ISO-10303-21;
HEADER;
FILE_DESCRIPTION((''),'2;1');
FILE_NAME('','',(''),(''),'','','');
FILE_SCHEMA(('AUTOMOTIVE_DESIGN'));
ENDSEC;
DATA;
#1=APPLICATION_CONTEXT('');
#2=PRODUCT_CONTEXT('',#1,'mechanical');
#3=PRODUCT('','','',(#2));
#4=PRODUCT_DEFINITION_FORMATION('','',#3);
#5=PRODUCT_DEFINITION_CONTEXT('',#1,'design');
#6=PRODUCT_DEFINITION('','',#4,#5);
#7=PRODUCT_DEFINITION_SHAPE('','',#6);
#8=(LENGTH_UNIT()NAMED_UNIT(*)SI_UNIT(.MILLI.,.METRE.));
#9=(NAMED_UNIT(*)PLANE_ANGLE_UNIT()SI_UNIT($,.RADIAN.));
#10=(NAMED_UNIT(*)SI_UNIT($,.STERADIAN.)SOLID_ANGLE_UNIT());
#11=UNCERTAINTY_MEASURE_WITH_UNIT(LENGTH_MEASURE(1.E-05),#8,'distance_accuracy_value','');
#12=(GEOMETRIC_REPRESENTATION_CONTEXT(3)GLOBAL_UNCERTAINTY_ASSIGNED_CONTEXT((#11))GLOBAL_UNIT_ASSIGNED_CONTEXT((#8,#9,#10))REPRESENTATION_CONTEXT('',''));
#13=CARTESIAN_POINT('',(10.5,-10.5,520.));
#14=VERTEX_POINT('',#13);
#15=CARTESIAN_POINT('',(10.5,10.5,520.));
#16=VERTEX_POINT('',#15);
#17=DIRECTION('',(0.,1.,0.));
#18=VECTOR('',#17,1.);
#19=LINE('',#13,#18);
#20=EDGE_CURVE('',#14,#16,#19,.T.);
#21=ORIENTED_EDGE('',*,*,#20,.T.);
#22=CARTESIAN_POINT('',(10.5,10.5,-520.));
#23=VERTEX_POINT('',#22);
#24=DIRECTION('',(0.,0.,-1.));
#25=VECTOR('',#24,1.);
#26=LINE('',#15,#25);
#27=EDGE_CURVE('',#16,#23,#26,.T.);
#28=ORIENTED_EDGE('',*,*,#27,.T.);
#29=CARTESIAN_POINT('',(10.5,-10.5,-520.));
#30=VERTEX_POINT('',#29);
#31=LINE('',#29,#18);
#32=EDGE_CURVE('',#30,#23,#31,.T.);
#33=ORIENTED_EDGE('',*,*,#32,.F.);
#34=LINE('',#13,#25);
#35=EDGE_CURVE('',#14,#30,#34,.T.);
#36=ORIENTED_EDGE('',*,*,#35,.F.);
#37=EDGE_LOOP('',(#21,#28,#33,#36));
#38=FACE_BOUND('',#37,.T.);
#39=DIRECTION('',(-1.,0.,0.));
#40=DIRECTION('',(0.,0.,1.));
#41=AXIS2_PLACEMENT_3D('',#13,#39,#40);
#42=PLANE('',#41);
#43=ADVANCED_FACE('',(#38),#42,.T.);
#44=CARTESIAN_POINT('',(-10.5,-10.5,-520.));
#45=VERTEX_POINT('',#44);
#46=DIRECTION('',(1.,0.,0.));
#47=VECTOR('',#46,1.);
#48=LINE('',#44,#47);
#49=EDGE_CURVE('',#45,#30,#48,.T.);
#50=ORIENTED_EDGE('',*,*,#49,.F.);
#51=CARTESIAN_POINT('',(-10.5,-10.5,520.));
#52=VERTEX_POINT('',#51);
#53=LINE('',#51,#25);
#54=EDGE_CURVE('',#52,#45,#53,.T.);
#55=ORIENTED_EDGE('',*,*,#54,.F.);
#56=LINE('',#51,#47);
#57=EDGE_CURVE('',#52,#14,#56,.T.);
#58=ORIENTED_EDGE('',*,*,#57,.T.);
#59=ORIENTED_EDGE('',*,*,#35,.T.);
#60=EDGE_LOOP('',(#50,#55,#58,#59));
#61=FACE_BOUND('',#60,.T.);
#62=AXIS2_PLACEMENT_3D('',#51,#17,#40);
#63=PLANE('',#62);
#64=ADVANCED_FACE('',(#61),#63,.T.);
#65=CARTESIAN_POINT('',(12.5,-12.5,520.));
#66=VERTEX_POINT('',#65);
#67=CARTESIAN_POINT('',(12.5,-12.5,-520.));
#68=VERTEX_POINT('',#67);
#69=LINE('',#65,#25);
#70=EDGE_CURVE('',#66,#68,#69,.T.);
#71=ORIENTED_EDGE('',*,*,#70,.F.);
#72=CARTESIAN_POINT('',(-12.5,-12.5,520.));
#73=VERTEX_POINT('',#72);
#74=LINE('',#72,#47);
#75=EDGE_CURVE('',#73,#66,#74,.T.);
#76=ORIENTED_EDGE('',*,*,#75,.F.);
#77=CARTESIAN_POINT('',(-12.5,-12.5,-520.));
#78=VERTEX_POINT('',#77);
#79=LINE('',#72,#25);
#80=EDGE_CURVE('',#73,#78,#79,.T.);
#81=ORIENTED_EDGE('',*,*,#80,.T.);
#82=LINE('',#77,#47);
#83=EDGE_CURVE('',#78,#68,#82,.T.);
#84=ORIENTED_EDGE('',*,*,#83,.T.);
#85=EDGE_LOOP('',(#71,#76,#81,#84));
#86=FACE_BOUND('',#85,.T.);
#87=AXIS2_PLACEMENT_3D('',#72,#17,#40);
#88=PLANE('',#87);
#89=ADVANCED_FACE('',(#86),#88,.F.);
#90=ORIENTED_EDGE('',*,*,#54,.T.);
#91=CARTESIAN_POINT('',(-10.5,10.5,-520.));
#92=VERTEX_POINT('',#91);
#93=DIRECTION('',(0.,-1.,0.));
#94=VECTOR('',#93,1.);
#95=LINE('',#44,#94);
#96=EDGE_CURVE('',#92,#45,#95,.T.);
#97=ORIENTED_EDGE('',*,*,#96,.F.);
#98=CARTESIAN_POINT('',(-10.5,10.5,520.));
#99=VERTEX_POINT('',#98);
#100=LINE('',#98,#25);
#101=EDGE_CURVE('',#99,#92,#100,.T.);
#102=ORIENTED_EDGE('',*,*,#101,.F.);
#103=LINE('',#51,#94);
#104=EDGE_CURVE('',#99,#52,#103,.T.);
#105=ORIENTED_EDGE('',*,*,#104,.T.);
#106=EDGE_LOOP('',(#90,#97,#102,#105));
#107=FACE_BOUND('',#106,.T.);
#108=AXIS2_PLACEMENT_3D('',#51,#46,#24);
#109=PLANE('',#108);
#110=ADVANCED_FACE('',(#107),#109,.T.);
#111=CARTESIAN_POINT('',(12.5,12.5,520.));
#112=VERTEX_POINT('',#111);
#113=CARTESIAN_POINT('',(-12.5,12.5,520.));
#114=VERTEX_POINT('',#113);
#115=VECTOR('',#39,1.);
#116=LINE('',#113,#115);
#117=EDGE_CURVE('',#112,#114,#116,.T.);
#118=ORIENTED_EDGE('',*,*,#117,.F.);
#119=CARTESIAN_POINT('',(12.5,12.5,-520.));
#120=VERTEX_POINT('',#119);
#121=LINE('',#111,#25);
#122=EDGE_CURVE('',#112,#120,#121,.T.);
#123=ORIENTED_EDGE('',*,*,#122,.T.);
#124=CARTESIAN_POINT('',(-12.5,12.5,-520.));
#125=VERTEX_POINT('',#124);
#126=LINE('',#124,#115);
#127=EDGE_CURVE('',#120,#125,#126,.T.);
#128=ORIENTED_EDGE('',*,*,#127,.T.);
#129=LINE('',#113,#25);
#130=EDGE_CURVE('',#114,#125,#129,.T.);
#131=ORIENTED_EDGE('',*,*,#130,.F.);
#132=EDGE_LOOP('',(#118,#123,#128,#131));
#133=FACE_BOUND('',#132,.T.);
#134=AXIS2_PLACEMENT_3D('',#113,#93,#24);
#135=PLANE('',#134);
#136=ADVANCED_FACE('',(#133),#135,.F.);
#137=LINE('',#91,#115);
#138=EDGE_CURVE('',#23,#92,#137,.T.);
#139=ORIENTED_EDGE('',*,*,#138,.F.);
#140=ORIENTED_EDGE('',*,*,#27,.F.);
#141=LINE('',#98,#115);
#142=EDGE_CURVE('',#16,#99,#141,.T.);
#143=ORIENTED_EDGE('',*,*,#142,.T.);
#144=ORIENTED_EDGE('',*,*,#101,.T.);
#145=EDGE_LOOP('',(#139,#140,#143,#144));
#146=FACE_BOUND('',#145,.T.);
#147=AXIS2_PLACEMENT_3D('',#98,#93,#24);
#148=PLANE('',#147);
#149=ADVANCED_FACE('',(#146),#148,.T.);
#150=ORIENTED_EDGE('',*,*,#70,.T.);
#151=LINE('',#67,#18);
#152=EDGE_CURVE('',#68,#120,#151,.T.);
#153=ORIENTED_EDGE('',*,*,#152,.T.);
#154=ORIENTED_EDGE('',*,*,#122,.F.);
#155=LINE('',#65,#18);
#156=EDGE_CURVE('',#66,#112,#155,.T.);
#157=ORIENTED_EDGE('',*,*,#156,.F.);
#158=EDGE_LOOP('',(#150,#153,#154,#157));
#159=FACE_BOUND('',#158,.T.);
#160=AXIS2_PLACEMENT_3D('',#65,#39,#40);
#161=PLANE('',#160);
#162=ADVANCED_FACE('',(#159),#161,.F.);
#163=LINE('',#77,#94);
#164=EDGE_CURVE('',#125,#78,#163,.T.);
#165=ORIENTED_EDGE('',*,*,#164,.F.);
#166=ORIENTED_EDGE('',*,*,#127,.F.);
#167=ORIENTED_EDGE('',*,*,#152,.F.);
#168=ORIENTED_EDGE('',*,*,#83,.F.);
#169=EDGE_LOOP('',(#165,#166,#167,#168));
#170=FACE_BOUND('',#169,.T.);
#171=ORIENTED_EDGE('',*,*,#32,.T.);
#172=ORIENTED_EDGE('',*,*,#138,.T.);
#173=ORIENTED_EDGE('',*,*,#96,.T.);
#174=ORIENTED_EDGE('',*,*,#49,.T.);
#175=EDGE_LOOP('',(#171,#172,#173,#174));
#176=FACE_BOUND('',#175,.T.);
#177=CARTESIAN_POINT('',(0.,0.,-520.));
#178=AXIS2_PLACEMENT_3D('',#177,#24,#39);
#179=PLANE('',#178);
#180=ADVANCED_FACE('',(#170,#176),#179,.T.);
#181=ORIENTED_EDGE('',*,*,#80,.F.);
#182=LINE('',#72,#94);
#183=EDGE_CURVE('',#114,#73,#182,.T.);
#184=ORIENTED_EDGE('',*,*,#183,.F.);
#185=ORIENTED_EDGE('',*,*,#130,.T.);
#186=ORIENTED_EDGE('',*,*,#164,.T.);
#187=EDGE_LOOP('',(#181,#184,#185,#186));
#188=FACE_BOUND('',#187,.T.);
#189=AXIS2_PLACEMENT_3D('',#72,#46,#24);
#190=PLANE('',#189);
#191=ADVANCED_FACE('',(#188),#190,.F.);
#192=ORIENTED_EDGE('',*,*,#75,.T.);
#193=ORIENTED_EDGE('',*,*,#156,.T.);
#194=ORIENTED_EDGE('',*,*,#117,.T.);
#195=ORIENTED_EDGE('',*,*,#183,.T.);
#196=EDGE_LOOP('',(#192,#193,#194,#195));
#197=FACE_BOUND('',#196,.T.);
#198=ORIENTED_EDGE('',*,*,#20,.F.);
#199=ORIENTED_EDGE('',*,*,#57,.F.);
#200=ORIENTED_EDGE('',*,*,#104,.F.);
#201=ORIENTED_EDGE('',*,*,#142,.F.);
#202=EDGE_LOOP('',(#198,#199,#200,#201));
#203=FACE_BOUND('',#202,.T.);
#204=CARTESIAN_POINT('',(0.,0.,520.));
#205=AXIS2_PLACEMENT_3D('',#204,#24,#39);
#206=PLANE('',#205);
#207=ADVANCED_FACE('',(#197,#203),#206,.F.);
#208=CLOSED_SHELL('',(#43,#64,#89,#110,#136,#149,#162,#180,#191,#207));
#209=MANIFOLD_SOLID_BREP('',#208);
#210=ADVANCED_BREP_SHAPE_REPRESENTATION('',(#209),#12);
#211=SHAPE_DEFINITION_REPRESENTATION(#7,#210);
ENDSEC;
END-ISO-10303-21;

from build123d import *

# Parameters (mm, degrees)
SKETCH1_W           = 25
SKETCH1_H           = 25
SKETCH1_W_2         = 21
SKETCH1_H_2         = 21
BOSS_EXTRUDE1_DEPTH = 520


with BuildPart() as part:
    # Sketch1 → Boss-Extrude1 (new, symmetric)
    with BuildSketch(Plane.XY):
        Rectangle(SKETCH1_W, SKETCH1_H)
        Rectangle(SKETCH1_W_2, SKETCH1_H_2, mode=Mode.SUBTRACT)
    extrude(amount=BOSS_EXTRUDE1_DEPTH, both=True)


solid = part.part
